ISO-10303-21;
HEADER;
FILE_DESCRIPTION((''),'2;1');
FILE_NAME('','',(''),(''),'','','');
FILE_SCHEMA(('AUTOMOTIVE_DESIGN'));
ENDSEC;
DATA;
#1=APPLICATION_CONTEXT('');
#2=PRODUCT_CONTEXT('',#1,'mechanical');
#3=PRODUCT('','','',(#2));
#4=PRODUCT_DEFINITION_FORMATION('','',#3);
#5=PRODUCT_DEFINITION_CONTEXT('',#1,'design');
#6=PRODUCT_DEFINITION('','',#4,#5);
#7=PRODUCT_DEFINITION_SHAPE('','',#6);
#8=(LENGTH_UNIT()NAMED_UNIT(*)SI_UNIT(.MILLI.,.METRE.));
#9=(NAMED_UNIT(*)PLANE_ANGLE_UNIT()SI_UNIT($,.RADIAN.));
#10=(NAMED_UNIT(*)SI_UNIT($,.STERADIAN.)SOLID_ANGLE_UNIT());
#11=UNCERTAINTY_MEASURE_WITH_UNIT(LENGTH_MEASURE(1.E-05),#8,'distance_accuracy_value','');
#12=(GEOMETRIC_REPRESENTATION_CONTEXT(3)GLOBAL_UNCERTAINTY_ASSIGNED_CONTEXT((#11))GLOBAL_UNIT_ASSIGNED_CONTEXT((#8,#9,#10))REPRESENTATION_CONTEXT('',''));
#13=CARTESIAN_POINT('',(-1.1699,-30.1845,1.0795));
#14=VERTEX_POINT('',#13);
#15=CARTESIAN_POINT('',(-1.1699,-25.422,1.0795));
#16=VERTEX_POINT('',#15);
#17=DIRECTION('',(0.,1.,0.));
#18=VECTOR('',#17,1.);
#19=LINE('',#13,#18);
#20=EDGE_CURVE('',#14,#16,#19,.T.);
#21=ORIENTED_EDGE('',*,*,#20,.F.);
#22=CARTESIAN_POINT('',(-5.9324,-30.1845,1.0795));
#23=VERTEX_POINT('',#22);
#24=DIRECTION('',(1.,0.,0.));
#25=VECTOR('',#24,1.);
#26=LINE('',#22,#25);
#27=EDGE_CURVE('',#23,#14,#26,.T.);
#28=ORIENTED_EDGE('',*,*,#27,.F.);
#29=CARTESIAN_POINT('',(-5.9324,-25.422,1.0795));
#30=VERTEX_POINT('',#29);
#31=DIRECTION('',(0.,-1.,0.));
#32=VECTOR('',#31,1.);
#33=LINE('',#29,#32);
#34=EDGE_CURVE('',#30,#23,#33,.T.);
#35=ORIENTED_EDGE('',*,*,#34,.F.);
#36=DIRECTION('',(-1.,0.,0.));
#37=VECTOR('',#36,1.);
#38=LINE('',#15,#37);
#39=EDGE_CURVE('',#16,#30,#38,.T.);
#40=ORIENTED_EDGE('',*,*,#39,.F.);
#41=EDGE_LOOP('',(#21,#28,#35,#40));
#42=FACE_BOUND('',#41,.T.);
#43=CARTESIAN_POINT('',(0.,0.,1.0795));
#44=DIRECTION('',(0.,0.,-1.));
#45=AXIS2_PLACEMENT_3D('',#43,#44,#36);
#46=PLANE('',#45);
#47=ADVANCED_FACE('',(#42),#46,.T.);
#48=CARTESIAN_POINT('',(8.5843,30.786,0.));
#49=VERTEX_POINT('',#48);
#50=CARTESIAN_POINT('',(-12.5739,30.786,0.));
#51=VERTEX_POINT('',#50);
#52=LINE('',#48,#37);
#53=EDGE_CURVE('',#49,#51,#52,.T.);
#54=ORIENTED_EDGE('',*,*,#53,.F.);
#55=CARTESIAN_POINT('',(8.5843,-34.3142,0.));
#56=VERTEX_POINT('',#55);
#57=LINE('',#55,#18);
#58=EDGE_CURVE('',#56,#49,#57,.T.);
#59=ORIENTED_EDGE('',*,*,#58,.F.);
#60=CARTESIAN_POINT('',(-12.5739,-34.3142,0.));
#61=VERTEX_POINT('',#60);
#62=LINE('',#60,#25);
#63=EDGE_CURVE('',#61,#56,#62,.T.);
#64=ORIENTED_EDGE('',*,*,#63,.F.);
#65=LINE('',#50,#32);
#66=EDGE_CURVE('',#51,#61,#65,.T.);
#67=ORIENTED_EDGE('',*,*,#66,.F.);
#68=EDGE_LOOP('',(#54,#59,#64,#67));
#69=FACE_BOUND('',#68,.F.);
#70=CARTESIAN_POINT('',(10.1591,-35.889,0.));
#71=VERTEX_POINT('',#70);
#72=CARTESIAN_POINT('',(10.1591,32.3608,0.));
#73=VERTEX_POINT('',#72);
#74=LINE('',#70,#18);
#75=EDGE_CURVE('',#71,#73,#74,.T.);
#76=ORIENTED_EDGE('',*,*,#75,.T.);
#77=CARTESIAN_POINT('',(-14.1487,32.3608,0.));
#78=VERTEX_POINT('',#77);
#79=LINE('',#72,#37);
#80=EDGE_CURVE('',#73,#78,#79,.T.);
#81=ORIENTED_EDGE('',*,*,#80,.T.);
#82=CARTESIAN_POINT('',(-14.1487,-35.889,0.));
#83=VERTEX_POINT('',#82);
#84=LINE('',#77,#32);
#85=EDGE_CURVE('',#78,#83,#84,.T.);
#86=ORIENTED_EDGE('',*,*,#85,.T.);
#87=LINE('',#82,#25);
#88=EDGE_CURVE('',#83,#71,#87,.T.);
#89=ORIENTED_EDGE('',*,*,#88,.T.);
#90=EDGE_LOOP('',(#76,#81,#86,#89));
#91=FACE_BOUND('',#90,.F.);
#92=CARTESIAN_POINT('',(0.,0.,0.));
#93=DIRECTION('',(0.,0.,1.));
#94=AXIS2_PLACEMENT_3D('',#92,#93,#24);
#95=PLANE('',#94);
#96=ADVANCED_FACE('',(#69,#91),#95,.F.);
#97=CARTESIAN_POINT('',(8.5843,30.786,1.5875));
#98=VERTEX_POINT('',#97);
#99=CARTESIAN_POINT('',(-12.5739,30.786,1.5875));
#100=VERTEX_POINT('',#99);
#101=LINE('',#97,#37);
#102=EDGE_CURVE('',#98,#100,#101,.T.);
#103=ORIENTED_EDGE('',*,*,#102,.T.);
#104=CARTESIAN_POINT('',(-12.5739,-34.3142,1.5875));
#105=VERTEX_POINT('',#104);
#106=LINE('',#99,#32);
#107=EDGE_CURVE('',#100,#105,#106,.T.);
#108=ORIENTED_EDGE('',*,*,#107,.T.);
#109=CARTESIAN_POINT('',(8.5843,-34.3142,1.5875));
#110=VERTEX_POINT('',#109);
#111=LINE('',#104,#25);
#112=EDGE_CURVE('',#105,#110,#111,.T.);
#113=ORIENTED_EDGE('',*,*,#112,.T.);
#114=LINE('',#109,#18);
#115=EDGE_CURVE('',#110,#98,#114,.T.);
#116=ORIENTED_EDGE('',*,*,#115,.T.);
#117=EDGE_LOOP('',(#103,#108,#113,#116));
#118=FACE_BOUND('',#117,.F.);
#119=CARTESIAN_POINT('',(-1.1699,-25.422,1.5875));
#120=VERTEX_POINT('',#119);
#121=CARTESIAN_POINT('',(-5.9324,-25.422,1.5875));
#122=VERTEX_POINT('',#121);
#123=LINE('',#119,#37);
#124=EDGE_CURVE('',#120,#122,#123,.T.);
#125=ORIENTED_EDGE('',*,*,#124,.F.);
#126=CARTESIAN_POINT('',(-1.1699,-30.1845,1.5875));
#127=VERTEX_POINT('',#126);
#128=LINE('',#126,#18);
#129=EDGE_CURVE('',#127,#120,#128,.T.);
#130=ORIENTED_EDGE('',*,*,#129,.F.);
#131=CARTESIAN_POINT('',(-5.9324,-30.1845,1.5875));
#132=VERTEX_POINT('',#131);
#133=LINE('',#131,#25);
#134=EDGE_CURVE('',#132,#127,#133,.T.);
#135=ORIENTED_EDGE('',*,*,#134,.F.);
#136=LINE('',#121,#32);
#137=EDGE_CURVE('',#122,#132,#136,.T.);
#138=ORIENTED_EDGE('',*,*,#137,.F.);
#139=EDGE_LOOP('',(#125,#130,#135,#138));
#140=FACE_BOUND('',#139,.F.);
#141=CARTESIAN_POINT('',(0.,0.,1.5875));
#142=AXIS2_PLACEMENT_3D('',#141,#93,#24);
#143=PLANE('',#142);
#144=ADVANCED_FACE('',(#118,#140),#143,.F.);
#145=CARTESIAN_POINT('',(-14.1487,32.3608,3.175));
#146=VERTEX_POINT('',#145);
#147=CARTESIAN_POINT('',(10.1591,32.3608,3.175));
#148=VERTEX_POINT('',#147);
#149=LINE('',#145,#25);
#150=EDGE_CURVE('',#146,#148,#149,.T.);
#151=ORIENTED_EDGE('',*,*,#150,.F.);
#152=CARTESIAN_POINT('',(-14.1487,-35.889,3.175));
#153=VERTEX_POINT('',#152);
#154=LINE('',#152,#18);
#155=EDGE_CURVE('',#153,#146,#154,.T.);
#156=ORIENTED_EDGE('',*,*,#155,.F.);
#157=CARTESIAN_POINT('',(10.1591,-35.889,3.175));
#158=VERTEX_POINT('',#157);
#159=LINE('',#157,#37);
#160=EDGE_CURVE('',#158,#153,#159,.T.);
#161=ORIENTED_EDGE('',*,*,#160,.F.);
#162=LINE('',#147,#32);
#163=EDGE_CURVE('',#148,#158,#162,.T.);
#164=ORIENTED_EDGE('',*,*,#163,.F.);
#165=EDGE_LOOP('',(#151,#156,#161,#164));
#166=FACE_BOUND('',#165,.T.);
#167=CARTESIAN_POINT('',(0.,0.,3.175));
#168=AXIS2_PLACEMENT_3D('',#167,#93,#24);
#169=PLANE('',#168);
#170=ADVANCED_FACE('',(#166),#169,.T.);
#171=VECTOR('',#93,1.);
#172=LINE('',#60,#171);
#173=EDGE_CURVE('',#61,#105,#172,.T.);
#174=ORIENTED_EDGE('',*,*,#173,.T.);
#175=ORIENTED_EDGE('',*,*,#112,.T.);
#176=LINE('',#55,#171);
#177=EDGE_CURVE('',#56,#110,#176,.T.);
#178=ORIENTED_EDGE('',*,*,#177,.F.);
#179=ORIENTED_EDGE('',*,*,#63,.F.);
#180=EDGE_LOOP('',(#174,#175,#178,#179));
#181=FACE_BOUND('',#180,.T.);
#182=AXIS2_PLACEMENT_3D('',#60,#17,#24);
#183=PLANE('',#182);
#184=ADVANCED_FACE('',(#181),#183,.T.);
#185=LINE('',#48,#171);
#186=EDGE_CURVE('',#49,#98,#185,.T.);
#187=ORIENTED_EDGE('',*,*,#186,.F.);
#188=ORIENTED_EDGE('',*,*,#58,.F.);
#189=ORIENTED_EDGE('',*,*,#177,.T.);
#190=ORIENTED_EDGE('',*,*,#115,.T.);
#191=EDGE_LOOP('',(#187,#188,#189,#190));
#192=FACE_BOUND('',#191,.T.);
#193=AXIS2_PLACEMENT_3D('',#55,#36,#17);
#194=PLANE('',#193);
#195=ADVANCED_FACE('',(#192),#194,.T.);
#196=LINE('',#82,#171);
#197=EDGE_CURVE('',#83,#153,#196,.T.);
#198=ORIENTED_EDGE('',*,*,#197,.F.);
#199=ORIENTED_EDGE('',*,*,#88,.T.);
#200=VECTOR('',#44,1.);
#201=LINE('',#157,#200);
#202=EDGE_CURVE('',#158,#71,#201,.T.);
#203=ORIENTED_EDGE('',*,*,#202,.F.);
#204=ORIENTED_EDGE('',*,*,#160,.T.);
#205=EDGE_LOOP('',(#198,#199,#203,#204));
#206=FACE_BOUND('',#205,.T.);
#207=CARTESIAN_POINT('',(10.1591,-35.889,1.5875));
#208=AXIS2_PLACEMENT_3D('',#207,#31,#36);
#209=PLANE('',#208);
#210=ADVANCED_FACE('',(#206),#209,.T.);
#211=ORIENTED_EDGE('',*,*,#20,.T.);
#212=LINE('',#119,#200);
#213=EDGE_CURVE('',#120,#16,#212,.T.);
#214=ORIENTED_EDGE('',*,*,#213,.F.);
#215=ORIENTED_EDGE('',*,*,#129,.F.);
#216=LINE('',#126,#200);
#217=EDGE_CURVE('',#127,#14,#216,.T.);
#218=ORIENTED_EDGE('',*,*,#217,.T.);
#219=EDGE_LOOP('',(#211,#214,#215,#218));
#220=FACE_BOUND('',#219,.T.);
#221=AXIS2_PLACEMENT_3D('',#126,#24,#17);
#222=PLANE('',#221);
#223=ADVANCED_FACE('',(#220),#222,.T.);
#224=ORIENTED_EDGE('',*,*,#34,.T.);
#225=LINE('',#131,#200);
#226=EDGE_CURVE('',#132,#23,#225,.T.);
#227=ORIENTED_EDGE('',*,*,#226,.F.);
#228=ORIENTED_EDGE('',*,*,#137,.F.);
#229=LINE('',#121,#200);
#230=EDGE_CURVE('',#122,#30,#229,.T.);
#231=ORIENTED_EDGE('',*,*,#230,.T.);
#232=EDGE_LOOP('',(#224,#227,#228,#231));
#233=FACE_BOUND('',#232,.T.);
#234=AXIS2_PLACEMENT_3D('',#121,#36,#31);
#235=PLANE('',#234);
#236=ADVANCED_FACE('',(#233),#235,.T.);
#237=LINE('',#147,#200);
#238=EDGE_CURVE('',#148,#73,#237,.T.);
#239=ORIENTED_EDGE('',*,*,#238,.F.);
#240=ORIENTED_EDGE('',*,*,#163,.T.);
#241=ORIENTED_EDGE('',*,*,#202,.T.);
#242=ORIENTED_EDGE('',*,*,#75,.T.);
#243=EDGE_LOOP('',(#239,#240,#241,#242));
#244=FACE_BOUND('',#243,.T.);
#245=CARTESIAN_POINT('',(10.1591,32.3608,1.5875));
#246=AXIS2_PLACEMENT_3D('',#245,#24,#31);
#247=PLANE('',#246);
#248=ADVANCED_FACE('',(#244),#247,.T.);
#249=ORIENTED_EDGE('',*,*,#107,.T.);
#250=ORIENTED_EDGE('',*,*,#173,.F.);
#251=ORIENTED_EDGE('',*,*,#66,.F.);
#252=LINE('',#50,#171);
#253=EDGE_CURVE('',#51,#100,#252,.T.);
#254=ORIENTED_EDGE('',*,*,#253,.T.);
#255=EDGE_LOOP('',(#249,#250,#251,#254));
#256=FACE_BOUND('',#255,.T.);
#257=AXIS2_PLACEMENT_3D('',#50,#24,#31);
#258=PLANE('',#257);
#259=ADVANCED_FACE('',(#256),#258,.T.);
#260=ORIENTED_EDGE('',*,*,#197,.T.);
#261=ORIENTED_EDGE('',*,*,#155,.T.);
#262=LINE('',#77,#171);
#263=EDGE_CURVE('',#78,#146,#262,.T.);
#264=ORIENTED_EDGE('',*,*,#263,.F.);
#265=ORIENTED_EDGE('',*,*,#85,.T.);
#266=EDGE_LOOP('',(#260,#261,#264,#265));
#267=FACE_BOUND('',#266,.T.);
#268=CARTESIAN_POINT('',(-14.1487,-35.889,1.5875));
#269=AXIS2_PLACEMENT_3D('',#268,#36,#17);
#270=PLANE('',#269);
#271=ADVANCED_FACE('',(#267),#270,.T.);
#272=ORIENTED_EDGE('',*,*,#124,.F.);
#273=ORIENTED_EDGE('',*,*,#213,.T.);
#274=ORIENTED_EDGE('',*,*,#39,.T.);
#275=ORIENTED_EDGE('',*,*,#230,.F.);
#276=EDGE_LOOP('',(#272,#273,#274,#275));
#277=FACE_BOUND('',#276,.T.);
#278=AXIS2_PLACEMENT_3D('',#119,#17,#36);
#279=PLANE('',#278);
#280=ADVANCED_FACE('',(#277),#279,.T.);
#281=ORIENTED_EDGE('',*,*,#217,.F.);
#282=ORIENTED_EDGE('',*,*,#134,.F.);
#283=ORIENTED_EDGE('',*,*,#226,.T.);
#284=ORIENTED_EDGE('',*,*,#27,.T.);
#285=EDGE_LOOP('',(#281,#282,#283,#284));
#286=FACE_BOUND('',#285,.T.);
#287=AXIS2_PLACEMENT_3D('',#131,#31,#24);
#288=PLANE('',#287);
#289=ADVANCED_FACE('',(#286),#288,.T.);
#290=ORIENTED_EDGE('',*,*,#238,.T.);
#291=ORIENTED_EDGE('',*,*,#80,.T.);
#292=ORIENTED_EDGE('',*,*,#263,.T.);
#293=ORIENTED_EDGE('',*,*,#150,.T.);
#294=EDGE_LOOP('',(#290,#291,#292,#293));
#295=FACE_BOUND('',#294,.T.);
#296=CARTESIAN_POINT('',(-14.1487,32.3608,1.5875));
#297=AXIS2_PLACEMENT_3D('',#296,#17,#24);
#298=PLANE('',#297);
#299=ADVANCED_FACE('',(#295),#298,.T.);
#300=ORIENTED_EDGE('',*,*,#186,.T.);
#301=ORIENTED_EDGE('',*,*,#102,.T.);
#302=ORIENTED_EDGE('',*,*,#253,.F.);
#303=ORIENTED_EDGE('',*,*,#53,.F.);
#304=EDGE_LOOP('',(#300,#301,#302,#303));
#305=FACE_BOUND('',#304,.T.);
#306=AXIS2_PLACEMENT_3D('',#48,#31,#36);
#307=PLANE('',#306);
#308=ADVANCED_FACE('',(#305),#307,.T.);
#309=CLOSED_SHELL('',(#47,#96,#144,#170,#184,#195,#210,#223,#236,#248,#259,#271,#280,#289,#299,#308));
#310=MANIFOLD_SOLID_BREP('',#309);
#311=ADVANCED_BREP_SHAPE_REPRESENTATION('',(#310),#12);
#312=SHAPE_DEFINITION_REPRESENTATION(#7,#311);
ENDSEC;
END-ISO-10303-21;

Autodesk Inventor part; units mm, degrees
ref_plane "YZ Plane" through (0, 0, 0) normal (1, 0, 0) x (0, 1, 0)
ref_plane "XZ Plane" through (0, 0, 0) normal (0, 1, 0) x (-1, 0, 0)
ref_plane "XY Plane" through (0, 0, 0) normal (0, 0, 1) x (1, 0, 0)
sketch "Sketch1" plane through (0, 0, 0) normal (0, 0, 1) x (1, 0, 0)
  line L0 (-13.3613, 31.5734) -> (9.3717, 31.5734)
  line L1 (9.3717, 31.5734) -> (9.3717, -35.1016)
  line L2 (9.3717, -35.1016) -> (-13.3613, -35.1016)
  line L3 (-13.3613, -35.1016) -> (-13.3613, 31.5734)
  line L4 (10.1591, 32.3608) -> (-14.1487, 32.3608)
  line L5 (-14.1487, 32.3608) -> (-14.1487, -35.889)
  line L6 (-14.1487, -35.889) -> (10.1591, -35.889)
  line L7 (10.1591, -35.889) -> (10.1591, 32.3608)
  line L8 (8.5843, 30.786) -> (-12.5739, 30.786)
  line L9 (-12.5739, 30.786) -> (-12.5739, -34.3142)
  line L10 (-12.5739, -34.3142) -> (8.5843, -34.3142)
  line L11 (8.5843, -34.3142) -> (8.5843, 30.786)
  point P0 (0, 0)
  dimension "d0" = 22.733
  dimension "d1" = 66.675
  dimension "d2" = 0.7874
  dimension "d3" = 0.7874
extrude "Extrusion1" add sketch "Sketch1" along normal blind 1.5875 contours L0 L1 L2 L3 | L7 L6 L5 L4
sketch "Sketch3" plane through (0, 0, 1.5875) normal (0, 0, 1) x (1, 0, 0)
  line L0 (-14.1487, 32.3608) -> (10.1591, 32.3608)
  line L1 (10.1591, 32.3608) -> (10.1591, -35.889)
  line L2 (10.1591, -35.889) -> (-14.1487, -35.889)
  line L3 (-14.1487, -35.889) -> (-14.1487, 32.3608)
  point P0 (0, 0)
extrude "Extrusion2" add sketch "Sketch3" along normal blind 1.5875
sketch "Sketch4" plane through (0, 0, 1.5875) normal (0, 0, -1) x (-1, 0, 0)
  line L0 (1.1699, -25.422) -> (5.9324, -25.422)
  line L1 (5.9324, -25.422) -> (5.9324, -30.1845)
  line L2 (5.9324, -30.1845) -> (1.1699, -30.1845)
  line L3 (1.1699, -30.1845) -> (1.1699, -25.422)
  point P0 (0, 0)
  dimension "d10" = 4.7625
  dimension "d11" = 4.7625
extrude "Extrusion3" add sketch "Sketch4" along normal blind 0.508
properties part number "YagiCan"
